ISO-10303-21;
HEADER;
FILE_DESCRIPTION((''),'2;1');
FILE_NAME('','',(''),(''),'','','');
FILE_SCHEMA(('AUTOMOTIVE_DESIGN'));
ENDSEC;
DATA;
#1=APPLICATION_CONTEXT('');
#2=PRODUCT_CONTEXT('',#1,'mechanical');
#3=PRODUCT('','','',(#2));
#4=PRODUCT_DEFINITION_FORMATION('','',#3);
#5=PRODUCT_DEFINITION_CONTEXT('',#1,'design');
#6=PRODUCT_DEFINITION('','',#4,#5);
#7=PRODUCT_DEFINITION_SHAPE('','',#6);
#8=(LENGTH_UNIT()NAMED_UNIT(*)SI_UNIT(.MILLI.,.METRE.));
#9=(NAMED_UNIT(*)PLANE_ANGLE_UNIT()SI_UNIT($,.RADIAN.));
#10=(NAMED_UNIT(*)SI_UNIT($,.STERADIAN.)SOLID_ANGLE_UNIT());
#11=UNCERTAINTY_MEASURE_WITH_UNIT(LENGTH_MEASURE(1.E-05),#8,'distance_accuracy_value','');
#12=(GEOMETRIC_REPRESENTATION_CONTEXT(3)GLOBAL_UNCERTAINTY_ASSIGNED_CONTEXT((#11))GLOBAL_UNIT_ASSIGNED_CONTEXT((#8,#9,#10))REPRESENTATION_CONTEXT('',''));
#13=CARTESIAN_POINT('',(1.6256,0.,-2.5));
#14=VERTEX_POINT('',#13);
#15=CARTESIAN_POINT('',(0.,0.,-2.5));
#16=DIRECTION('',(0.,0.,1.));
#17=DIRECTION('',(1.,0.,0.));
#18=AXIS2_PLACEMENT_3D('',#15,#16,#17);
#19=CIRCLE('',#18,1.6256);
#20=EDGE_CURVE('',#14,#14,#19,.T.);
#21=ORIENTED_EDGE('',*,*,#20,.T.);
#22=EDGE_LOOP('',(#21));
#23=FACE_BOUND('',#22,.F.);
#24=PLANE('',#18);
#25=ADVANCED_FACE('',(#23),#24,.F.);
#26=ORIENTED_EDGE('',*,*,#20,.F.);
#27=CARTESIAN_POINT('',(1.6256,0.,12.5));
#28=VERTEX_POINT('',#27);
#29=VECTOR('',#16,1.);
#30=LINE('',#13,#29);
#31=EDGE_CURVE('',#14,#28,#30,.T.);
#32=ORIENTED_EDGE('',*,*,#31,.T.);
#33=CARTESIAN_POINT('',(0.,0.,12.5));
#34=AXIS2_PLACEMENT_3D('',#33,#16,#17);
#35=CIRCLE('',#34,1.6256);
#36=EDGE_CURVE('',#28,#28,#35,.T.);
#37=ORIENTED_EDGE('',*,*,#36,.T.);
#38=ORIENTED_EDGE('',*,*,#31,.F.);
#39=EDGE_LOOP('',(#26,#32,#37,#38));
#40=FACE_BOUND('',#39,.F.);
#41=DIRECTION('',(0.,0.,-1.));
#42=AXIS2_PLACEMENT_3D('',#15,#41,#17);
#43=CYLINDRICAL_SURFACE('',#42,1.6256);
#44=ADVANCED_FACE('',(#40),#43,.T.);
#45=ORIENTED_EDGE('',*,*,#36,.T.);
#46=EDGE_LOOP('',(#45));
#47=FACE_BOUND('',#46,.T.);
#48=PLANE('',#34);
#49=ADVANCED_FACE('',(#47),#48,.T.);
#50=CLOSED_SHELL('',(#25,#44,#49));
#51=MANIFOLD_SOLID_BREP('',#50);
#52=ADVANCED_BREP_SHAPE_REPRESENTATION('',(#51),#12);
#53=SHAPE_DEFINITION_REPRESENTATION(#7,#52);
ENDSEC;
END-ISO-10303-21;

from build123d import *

# Parameters (mm, degrees)
CYLINDER_R     = 1.6256
CYLINDER_DEPTH = 15


with BuildPart() as part:
    # Cylinder → Cylinder (new body)
    with BuildSketch(Plane.XY.offset(-2.5)):
        Circle(CYLINDER_R)
    extrude(amount=CYLINDER_DEPTH)


solid = part.part
